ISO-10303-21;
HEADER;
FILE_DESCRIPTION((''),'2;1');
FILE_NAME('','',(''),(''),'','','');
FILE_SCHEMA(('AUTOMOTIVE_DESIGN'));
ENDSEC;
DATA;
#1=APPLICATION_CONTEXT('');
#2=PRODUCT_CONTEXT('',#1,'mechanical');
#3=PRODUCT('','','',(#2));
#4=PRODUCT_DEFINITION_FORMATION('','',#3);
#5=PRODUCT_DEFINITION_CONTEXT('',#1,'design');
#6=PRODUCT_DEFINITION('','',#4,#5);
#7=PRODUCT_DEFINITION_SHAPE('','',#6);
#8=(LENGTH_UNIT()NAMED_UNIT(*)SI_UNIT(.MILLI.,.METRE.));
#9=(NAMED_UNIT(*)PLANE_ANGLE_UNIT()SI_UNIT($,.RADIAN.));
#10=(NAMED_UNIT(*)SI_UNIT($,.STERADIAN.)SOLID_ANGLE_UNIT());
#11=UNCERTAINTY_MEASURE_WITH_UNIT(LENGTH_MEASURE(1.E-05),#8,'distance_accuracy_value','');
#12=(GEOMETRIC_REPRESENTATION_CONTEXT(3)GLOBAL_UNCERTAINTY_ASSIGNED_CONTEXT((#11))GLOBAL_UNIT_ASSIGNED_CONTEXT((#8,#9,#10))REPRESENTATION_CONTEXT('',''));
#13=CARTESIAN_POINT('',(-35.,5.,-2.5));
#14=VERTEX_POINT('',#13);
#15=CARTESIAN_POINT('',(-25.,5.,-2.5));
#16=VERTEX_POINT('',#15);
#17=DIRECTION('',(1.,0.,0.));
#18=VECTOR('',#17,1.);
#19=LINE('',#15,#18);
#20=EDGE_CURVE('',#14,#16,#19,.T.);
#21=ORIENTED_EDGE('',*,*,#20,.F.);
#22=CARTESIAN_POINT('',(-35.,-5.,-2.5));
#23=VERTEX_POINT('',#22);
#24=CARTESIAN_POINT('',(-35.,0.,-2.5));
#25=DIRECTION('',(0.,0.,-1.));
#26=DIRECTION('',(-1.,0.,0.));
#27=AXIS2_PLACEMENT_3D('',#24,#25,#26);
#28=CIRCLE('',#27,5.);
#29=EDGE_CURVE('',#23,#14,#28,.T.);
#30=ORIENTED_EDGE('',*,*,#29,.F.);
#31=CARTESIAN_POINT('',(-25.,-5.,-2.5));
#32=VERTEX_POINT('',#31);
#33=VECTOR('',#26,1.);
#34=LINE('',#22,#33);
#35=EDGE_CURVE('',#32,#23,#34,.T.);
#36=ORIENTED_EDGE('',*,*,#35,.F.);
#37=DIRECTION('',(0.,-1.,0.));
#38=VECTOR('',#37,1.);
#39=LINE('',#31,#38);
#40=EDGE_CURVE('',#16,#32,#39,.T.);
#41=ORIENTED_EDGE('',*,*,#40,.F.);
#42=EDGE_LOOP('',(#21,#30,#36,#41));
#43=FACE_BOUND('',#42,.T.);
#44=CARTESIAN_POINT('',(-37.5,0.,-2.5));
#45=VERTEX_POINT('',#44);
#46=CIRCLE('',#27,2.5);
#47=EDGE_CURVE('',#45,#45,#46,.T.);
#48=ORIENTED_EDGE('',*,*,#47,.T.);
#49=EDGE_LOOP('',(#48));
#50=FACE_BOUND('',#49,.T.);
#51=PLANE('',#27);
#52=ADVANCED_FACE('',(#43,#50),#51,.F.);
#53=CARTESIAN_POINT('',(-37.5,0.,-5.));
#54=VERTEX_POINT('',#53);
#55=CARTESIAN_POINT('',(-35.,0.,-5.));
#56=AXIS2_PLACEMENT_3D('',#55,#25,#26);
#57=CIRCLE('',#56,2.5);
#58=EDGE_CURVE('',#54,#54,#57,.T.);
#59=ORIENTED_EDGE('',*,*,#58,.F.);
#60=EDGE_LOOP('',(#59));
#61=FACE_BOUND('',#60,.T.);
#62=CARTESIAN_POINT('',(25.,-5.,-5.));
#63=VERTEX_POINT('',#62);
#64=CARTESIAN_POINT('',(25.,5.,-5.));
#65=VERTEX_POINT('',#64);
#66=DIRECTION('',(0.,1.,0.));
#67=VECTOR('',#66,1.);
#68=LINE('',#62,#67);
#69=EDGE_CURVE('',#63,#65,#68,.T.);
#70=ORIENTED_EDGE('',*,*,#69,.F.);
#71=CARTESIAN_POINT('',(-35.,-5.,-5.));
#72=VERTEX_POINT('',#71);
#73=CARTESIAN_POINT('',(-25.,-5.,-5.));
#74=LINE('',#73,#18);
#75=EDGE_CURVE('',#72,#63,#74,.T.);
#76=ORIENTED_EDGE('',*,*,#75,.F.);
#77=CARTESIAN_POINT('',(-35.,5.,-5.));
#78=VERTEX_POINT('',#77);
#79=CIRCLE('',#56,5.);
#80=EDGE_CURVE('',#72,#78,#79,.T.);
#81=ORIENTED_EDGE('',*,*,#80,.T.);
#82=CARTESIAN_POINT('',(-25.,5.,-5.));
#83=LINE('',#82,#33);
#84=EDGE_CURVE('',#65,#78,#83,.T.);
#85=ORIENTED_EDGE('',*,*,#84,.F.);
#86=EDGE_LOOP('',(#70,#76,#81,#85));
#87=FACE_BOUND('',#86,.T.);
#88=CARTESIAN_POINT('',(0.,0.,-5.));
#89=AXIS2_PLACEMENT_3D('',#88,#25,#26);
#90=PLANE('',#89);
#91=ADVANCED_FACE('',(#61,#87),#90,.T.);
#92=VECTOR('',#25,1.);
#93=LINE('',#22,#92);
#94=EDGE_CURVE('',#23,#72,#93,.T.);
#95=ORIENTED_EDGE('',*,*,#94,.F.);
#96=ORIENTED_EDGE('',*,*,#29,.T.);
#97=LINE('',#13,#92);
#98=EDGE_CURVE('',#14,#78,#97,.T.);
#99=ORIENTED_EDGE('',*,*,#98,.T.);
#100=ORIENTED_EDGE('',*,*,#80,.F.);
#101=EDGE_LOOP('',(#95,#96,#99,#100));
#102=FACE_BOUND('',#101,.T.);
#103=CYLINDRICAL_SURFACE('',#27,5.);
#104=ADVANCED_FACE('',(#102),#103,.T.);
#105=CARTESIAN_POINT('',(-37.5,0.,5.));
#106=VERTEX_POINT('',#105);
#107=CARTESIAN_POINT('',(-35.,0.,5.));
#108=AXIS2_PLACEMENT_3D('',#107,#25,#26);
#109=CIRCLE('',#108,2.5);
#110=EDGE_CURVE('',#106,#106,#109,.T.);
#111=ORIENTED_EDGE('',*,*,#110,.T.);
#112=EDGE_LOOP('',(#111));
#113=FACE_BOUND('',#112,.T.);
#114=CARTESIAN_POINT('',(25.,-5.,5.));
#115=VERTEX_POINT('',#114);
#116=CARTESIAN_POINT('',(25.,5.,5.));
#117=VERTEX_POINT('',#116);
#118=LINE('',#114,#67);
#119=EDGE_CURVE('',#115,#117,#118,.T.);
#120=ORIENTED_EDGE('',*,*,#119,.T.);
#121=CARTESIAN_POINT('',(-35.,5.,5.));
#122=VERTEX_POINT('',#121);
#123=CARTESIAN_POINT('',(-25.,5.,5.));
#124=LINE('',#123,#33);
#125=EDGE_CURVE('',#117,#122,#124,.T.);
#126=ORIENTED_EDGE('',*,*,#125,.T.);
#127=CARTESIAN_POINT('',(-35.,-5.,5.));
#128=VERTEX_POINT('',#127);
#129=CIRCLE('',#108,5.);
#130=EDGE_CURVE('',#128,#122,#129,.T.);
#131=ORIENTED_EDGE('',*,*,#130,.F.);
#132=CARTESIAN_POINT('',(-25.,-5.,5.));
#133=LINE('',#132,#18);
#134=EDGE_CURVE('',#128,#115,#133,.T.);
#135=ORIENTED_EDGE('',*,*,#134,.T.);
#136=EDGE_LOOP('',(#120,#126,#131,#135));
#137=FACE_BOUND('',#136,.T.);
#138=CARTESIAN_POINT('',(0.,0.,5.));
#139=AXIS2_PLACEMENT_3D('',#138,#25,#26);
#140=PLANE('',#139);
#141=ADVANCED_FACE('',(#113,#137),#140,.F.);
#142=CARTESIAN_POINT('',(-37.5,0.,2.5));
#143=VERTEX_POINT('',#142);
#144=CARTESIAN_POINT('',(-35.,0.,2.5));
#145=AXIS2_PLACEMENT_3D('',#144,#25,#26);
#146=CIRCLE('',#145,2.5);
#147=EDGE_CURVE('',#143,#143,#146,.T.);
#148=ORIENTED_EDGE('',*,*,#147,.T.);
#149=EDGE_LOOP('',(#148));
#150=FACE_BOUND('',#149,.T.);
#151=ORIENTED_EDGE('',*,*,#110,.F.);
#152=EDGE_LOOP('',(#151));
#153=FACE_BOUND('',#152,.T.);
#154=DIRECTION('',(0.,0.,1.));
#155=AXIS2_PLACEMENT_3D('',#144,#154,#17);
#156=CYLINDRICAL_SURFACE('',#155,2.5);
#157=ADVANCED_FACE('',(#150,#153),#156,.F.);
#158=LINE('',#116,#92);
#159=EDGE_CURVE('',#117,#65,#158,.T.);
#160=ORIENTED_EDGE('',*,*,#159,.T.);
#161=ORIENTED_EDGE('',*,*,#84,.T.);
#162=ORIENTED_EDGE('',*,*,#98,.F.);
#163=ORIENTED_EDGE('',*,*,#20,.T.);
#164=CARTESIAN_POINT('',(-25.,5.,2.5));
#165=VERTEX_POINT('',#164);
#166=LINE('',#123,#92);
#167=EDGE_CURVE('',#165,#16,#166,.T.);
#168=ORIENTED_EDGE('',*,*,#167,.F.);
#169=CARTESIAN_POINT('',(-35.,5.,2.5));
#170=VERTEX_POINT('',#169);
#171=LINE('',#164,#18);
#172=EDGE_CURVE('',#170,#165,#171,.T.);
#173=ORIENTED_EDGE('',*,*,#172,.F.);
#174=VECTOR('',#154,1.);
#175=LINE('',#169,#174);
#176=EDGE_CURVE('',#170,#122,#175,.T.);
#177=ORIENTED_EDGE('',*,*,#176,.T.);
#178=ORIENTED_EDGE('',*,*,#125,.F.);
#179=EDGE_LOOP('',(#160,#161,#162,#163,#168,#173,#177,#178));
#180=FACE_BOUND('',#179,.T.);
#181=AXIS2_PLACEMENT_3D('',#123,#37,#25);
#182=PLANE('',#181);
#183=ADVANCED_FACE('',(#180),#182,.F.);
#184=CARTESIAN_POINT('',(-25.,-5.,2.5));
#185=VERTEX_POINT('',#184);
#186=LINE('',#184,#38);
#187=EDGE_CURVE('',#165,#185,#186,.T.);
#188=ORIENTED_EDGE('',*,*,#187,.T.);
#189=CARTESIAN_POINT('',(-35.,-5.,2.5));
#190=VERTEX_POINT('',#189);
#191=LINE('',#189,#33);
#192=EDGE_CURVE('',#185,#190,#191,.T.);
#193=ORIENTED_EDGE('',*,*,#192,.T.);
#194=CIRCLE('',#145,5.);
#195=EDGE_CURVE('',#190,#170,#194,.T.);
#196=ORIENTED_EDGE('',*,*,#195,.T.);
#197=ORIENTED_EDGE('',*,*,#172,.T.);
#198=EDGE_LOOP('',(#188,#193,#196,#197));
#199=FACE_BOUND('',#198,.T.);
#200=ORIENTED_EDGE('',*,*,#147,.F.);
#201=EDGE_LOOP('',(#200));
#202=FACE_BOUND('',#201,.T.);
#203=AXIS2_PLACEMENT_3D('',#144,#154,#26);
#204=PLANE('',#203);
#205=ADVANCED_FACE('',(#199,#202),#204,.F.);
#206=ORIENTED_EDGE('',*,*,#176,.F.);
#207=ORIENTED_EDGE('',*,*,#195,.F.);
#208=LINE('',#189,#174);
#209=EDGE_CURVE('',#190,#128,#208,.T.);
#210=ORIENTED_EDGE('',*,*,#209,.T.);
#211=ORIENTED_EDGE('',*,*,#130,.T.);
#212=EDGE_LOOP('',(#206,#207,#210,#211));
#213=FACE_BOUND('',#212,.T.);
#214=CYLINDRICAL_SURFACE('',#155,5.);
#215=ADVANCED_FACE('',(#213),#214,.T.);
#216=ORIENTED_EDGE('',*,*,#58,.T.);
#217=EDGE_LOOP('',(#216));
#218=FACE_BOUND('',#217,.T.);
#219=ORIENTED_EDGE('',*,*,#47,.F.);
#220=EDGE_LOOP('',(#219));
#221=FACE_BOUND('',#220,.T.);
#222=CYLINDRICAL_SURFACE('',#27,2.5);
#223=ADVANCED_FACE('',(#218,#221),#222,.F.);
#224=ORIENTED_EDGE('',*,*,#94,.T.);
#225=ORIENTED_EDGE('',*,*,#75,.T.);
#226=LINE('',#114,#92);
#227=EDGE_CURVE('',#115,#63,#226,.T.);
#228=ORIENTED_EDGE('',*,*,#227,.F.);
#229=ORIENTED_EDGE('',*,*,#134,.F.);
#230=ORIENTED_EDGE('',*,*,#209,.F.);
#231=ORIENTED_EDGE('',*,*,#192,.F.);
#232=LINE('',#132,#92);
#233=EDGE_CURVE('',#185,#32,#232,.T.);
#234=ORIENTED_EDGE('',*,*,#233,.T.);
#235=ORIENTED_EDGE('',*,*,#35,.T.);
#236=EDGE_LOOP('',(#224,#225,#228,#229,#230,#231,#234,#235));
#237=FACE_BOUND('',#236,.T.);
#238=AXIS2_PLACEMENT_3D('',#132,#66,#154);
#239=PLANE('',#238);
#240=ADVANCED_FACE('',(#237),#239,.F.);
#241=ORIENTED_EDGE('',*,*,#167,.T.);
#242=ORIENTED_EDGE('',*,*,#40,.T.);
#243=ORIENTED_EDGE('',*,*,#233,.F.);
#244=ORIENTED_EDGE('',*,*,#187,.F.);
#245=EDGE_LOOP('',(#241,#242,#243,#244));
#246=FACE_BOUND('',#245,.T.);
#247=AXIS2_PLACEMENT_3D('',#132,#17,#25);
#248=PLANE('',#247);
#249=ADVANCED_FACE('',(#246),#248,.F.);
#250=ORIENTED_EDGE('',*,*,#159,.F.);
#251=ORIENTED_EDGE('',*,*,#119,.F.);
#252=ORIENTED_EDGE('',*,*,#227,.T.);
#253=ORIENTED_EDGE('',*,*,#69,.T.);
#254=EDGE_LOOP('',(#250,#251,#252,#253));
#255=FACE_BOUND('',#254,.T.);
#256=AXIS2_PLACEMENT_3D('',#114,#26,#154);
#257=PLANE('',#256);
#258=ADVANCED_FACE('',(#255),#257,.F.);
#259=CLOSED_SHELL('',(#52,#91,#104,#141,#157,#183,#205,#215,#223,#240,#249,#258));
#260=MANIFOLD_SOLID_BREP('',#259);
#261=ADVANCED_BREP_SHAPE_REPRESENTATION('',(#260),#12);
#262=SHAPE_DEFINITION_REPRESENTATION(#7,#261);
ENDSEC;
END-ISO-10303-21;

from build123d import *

# Parameters (mm, degrees)
SKETCH_1_W      = 50
SKETCH_1_H      = 10
EXTRUDE_1_DEPTH = 5
SKETCH_2_R      = 2.5
EXTRUDE_2_DEPTH = 2.5


with BuildPart() as part:
    # 草图1 → 凸台-拉伸1 (new, symmetric)
    with BuildSketch(Plane.XY):
        Rectangle(SKETCH_1_W, SKETCH_1_H)
    extrude(amount=EXTRUDE_1_DEPTH, both=True)

    # 草图2 → 凸台-拉伸2 (add)
    with BuildSketch(Plane(origin=(0, 0, -5), x_dir=(-1, 0, 0), z_dir=(0, 0, -1))):
        with BuildLine():
            Line((25, 5), (35, 5))
            ThreePointArc((35, 5), (40, 0), (35, -5))
            Line((35, -5), (25, -5))
            Line((25, -5), (25, 5))
        make_face()
        with Locations((35, 0)):
            Circle(SKETCH_2_R, mode=Mode.SUBTRACT)
    extrude_2 = extrude(amount=-EXTRUDE_2_DEPTH)

    # 镜向1: 凸台-拉伸2 across plane
    add(extrude_2.mirror(Plane.XY))


solid = part.part
